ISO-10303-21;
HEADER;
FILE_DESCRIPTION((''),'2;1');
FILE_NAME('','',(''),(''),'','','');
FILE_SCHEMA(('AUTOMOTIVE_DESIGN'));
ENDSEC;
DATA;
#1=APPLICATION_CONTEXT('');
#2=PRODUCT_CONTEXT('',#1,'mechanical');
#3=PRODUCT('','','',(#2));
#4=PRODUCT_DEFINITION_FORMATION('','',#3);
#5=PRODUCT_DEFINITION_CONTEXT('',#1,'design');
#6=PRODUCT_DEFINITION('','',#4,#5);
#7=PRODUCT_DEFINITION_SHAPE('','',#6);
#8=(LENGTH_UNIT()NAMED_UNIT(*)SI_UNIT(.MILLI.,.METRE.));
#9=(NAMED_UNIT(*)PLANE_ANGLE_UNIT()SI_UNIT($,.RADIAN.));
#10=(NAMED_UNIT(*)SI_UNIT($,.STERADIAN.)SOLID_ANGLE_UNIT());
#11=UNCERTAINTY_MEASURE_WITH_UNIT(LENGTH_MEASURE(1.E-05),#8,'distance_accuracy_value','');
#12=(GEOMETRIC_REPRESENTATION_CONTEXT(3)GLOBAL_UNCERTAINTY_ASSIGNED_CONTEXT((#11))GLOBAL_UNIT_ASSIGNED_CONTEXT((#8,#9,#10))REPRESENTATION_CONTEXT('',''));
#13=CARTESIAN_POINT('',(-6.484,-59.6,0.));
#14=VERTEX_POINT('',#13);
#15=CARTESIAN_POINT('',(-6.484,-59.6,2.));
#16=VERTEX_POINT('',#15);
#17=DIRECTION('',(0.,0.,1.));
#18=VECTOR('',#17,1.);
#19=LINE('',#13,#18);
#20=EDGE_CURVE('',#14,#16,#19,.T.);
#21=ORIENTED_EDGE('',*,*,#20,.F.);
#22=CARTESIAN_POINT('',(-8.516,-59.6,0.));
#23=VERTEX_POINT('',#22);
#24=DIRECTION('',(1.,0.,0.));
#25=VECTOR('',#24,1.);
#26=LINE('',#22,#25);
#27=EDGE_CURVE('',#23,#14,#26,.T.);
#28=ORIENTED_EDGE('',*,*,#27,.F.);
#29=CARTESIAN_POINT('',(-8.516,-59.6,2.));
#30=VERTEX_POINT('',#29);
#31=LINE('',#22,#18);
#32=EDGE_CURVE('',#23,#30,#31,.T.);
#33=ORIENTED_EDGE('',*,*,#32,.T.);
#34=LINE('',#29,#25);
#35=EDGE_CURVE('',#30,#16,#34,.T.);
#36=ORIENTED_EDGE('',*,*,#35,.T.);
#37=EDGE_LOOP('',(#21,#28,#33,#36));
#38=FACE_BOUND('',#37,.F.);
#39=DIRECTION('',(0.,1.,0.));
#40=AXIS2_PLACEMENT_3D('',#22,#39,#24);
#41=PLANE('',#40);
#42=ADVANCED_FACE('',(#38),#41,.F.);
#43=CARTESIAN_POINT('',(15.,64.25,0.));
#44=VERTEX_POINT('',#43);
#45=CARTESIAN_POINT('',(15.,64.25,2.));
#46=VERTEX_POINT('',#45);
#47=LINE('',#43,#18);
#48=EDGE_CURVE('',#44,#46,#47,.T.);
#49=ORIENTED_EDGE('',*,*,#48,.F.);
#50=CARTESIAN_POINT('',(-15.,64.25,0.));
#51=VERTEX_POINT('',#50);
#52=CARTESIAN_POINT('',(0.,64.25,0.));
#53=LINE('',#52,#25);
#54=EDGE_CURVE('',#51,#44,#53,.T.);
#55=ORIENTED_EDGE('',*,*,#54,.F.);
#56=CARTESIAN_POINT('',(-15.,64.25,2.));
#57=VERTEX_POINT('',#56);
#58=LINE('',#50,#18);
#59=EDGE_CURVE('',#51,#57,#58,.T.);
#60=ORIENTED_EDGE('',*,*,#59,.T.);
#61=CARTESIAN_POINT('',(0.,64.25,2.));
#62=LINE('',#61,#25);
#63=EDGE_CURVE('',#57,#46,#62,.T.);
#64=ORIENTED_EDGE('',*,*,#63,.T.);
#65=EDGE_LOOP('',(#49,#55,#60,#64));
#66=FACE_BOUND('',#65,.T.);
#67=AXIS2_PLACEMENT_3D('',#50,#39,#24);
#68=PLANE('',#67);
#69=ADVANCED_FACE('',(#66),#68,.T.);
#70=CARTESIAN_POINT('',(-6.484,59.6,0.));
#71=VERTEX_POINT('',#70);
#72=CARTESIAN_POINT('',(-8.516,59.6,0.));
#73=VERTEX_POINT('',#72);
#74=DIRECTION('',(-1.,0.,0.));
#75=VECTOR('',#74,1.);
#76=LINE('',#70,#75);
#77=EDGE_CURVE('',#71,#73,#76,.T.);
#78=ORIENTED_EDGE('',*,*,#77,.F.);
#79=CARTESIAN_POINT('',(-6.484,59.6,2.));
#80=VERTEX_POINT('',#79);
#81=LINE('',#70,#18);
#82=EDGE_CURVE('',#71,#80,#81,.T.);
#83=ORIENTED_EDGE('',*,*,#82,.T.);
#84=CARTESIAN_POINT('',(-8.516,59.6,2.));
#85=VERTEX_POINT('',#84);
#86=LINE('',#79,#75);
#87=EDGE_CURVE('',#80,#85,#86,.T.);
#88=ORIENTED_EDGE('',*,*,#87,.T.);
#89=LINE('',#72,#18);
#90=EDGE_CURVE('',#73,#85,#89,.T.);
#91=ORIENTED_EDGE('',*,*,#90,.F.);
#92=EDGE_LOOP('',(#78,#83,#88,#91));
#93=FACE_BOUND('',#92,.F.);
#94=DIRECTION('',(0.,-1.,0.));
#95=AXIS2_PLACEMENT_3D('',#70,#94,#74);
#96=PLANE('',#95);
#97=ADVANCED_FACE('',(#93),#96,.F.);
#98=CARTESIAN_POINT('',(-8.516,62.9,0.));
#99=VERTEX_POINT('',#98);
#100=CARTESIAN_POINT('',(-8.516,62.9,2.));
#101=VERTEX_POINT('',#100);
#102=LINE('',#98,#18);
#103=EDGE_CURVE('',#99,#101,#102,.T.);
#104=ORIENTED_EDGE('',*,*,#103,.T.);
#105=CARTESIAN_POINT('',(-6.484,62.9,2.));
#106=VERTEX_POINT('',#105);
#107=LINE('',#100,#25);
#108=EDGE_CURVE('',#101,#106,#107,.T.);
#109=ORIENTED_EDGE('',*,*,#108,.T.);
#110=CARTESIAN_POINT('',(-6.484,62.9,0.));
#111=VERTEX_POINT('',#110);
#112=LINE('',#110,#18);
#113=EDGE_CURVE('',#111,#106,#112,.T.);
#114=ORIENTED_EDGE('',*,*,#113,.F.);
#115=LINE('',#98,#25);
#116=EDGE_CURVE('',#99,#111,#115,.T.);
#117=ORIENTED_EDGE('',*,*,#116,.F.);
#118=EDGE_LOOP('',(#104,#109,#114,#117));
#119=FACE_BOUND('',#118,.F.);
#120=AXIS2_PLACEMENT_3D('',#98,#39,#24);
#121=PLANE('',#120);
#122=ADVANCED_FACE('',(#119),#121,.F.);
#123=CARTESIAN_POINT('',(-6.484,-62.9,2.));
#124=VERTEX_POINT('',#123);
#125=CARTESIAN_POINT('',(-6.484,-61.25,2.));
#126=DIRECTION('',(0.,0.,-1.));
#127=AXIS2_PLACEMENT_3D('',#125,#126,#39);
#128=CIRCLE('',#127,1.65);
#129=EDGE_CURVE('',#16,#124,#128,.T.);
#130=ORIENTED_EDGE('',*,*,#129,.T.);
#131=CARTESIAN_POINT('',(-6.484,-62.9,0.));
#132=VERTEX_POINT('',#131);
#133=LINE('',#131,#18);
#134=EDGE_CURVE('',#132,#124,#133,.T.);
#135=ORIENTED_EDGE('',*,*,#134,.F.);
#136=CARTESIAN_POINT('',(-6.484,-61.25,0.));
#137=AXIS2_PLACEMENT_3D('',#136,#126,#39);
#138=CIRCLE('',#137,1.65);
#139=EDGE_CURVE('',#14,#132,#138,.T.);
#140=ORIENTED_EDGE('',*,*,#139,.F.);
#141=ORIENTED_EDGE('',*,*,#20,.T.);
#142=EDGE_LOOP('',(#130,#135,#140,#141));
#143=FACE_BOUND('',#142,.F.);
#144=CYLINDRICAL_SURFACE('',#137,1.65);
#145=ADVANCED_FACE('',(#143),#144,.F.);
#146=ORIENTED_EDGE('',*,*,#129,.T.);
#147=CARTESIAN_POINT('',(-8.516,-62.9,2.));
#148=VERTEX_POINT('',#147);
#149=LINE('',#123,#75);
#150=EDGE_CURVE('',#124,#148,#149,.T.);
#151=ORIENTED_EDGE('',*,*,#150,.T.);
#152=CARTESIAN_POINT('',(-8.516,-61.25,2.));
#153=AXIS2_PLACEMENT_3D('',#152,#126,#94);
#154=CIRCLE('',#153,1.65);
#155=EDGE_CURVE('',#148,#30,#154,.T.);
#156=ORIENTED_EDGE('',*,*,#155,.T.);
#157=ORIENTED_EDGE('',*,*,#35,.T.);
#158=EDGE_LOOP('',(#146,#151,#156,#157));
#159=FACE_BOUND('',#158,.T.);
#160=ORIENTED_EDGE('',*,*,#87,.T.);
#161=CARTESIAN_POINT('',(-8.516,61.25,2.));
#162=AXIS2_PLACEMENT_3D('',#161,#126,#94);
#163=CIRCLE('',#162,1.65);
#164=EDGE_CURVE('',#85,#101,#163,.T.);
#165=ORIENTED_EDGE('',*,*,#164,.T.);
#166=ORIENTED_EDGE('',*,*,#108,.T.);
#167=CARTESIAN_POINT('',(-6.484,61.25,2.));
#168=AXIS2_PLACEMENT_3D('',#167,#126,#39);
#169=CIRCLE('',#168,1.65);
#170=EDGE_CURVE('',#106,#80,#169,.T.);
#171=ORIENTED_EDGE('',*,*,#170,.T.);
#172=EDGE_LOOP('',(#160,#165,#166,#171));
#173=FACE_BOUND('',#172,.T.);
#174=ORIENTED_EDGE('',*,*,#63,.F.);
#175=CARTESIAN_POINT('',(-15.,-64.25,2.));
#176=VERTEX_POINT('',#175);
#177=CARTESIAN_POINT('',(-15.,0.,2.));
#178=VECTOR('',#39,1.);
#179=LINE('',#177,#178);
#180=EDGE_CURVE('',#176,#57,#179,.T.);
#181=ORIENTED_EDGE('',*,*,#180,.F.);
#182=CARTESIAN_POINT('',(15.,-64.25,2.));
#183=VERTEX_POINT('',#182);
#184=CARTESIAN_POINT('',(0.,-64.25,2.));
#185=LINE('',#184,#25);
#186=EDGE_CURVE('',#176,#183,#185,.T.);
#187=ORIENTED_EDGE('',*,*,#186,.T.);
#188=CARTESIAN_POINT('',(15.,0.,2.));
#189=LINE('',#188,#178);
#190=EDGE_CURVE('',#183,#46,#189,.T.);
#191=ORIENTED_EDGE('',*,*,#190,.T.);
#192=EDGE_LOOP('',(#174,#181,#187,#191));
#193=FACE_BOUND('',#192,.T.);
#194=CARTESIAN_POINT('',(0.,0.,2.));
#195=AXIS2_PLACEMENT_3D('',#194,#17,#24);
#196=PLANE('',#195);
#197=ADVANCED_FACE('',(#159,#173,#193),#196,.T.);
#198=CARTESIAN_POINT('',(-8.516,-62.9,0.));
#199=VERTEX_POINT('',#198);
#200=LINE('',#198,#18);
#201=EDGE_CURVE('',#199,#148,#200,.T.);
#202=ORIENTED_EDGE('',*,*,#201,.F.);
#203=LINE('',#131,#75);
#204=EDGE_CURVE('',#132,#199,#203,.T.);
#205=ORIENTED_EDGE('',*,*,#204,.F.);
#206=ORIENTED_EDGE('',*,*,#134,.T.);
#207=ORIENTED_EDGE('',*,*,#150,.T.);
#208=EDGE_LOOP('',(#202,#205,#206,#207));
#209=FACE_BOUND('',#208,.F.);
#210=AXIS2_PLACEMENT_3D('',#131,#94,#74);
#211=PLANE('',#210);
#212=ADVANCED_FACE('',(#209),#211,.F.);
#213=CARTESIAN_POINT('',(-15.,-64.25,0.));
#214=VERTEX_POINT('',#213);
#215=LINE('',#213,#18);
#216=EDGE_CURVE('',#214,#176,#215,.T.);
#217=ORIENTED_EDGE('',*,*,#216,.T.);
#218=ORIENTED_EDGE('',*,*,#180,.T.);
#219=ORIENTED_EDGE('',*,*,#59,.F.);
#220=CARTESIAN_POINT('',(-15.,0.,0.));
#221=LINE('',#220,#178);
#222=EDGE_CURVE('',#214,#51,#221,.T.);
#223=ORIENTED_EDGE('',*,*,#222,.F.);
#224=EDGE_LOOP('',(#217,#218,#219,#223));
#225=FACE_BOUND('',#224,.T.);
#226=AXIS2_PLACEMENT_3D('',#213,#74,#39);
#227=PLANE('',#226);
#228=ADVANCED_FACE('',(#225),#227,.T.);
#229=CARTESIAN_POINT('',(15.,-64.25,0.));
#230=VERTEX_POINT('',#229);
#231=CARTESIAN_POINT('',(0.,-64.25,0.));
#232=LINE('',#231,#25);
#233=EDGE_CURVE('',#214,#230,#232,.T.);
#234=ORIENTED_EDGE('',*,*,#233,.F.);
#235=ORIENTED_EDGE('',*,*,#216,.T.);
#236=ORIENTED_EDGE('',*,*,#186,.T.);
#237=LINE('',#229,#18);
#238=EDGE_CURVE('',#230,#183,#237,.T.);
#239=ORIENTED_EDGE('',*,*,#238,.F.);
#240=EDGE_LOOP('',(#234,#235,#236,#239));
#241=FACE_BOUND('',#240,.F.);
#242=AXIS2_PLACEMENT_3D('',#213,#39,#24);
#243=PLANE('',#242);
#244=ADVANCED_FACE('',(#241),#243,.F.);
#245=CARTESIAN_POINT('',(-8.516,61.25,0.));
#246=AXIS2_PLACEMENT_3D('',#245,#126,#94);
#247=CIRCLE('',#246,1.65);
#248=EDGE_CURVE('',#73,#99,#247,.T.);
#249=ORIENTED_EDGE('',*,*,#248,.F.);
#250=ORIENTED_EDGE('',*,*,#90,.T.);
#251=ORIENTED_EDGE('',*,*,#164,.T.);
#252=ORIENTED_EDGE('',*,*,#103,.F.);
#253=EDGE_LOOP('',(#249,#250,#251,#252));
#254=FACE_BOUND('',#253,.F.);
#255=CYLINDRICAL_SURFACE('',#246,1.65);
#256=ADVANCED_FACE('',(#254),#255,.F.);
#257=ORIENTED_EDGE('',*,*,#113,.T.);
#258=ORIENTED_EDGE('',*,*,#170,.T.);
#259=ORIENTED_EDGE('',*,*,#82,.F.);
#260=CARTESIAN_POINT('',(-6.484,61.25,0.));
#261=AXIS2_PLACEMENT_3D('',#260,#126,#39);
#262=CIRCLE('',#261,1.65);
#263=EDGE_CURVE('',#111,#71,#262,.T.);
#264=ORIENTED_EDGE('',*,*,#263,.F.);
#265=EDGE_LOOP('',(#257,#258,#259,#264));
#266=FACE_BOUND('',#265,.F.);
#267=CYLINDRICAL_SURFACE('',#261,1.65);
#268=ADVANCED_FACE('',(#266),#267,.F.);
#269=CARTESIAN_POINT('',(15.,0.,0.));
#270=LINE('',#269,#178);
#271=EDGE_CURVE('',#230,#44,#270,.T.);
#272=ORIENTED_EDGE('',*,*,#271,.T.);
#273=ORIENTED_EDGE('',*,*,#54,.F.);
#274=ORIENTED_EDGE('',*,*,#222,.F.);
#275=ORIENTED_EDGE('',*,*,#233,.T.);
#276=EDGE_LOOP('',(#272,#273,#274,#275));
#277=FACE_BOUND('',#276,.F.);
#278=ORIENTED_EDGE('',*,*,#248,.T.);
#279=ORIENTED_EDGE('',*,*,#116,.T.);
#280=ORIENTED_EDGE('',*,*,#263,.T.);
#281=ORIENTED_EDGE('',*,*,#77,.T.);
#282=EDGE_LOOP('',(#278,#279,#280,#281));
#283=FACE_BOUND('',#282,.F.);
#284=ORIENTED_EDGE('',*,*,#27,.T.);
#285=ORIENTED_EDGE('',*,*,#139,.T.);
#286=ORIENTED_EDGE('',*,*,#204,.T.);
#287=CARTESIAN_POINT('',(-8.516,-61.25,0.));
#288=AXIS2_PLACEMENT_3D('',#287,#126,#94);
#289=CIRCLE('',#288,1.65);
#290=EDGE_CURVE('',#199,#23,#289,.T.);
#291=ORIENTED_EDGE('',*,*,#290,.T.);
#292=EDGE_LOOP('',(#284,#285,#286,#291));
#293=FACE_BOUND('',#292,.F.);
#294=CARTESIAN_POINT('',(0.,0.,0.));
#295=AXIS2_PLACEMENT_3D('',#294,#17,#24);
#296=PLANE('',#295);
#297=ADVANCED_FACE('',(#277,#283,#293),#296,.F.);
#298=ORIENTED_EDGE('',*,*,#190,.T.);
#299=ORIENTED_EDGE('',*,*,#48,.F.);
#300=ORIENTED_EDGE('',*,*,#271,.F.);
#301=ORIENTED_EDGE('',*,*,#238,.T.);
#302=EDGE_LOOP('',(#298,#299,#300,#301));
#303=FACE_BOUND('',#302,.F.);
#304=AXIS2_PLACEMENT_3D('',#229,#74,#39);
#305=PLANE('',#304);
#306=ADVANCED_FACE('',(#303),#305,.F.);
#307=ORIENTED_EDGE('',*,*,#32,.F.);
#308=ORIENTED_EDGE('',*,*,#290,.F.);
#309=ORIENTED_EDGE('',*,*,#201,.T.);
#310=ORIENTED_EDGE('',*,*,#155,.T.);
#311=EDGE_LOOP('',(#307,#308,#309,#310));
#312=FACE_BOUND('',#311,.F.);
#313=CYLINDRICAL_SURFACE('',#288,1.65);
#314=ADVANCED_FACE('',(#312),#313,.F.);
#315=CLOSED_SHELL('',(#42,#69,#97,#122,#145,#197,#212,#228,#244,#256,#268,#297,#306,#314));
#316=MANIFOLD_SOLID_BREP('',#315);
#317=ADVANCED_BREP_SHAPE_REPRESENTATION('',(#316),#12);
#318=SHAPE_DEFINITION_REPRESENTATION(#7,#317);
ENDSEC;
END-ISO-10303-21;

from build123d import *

# Parameters (mm, degrees)
SKETCH1_W           = 30
SKETCH1_H           = 128.5
BOSS_EXTRUDE1_DEPTH = 2


with BuildPart() as part:
    # Sketch1 → Boss-Extrude1 (new body)
    with BuildSketch(Plane.XY):
        Rectangle(SKETCH1_W, SKETCH1_H)
        with BuildLine():
            Line((-8.516, -59.6), (-6.484, -59.6))
            ThreePointArc((-6.484, -59.6), (-4.834, -61.25), (-6.484, -62.9))
            Line((-6.484, -62.9), (-8.516, -62.9))
            ThreePointArc((-8.516, -62.9), (-10.166, -61.25), (-8.516, -59.6))
        make_face(mode=Mode.SUBTRACT)
        with BuildLine():
            Line((-8.516, 62.9), (-6.484, 62.9))
            ThreePointArc((-6.484, 62.9), (-4.834, 61.25), (-6.484, 59.6))
            Line((-6.484, 59.6), (-8.516, 59.6))
            ThreePointArc((-8.516, 59.6), (-10.166, 61.25), (-8.516, 62.9))
        make_face(mode=Mode.SUBTRACT)
    extrude(amount=BOSS_EXTRUDE1_DEPTH)


solid = part.part
